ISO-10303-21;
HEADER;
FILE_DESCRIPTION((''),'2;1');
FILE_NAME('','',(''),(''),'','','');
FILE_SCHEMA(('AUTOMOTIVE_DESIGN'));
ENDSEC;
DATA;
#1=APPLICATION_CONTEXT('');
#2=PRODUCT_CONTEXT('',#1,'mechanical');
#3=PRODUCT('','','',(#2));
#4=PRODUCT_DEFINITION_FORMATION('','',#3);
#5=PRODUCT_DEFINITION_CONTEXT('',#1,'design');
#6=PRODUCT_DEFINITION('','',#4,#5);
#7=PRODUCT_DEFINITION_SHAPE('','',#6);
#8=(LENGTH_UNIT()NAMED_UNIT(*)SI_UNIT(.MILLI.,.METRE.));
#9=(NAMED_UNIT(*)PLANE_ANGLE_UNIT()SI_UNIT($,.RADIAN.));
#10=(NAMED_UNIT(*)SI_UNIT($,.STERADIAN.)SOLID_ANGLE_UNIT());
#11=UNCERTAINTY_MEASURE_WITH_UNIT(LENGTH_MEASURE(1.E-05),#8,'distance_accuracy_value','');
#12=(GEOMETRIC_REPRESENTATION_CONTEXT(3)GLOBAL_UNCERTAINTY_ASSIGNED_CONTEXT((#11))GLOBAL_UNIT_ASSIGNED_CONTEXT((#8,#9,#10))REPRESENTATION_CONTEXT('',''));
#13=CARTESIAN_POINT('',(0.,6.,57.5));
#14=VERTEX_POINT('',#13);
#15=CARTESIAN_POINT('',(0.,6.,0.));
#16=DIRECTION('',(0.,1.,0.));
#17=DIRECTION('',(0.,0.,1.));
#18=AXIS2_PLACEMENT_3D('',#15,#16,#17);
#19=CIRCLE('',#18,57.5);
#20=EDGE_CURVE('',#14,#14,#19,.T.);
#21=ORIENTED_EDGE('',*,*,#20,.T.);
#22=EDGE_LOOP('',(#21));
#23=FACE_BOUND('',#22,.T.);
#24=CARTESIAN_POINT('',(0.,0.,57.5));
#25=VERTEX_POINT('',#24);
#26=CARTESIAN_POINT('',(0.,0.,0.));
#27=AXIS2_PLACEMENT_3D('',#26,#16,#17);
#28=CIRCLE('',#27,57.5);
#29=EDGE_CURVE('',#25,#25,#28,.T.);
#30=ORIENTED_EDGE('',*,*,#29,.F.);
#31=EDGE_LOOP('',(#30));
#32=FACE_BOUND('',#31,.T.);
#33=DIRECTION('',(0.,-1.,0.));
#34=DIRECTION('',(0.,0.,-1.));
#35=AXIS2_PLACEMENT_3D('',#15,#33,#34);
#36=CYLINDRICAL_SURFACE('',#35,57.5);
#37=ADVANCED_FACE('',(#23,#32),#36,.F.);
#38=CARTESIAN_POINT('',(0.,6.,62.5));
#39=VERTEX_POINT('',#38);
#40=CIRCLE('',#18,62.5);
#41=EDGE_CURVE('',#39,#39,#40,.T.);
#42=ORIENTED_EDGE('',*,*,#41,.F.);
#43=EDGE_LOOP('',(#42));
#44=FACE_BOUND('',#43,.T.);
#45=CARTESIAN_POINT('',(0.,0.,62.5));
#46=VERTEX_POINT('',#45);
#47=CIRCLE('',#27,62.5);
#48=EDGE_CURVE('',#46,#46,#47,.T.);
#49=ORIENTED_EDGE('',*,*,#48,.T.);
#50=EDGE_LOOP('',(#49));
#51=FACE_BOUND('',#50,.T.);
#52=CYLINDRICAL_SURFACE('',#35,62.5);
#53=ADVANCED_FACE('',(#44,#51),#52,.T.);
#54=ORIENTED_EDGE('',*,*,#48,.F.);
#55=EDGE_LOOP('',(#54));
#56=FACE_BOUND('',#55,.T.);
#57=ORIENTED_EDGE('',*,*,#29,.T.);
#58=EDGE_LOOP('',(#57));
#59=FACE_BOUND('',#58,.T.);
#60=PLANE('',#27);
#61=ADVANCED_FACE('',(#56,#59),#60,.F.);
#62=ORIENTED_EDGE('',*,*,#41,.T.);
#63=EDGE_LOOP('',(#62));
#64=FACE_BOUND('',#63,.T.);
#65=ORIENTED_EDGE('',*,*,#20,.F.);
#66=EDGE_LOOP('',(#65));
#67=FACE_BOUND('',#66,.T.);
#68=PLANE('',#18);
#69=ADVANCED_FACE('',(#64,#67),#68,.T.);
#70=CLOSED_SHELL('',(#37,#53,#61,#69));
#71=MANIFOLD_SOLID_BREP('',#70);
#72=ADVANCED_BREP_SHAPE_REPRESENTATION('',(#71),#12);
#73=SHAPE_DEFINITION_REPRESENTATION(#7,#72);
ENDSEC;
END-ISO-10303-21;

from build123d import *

# Parameters (mm, degrees)
SKETCH_1_R      = 62.5
SKETCH_1_R_2    = 57.5
EXTRUDE_1_DEPTH = 6


with BuildPart() as part:
    # 草图1 → 凸台-拉伸1 (new body)
    with BuildSketch(Plane(origin=(0, 0, 0), x_dir=(1, 0, 0), z_dir=(0, 1, 0))):
        Circle(SKETCH_1_R)
        Circle(SKETCH_1_R_2, mode=Mode.SUBTRACT)
    extrude(amount=EXTRUDE_1_DEPTH)


solid = part.part
